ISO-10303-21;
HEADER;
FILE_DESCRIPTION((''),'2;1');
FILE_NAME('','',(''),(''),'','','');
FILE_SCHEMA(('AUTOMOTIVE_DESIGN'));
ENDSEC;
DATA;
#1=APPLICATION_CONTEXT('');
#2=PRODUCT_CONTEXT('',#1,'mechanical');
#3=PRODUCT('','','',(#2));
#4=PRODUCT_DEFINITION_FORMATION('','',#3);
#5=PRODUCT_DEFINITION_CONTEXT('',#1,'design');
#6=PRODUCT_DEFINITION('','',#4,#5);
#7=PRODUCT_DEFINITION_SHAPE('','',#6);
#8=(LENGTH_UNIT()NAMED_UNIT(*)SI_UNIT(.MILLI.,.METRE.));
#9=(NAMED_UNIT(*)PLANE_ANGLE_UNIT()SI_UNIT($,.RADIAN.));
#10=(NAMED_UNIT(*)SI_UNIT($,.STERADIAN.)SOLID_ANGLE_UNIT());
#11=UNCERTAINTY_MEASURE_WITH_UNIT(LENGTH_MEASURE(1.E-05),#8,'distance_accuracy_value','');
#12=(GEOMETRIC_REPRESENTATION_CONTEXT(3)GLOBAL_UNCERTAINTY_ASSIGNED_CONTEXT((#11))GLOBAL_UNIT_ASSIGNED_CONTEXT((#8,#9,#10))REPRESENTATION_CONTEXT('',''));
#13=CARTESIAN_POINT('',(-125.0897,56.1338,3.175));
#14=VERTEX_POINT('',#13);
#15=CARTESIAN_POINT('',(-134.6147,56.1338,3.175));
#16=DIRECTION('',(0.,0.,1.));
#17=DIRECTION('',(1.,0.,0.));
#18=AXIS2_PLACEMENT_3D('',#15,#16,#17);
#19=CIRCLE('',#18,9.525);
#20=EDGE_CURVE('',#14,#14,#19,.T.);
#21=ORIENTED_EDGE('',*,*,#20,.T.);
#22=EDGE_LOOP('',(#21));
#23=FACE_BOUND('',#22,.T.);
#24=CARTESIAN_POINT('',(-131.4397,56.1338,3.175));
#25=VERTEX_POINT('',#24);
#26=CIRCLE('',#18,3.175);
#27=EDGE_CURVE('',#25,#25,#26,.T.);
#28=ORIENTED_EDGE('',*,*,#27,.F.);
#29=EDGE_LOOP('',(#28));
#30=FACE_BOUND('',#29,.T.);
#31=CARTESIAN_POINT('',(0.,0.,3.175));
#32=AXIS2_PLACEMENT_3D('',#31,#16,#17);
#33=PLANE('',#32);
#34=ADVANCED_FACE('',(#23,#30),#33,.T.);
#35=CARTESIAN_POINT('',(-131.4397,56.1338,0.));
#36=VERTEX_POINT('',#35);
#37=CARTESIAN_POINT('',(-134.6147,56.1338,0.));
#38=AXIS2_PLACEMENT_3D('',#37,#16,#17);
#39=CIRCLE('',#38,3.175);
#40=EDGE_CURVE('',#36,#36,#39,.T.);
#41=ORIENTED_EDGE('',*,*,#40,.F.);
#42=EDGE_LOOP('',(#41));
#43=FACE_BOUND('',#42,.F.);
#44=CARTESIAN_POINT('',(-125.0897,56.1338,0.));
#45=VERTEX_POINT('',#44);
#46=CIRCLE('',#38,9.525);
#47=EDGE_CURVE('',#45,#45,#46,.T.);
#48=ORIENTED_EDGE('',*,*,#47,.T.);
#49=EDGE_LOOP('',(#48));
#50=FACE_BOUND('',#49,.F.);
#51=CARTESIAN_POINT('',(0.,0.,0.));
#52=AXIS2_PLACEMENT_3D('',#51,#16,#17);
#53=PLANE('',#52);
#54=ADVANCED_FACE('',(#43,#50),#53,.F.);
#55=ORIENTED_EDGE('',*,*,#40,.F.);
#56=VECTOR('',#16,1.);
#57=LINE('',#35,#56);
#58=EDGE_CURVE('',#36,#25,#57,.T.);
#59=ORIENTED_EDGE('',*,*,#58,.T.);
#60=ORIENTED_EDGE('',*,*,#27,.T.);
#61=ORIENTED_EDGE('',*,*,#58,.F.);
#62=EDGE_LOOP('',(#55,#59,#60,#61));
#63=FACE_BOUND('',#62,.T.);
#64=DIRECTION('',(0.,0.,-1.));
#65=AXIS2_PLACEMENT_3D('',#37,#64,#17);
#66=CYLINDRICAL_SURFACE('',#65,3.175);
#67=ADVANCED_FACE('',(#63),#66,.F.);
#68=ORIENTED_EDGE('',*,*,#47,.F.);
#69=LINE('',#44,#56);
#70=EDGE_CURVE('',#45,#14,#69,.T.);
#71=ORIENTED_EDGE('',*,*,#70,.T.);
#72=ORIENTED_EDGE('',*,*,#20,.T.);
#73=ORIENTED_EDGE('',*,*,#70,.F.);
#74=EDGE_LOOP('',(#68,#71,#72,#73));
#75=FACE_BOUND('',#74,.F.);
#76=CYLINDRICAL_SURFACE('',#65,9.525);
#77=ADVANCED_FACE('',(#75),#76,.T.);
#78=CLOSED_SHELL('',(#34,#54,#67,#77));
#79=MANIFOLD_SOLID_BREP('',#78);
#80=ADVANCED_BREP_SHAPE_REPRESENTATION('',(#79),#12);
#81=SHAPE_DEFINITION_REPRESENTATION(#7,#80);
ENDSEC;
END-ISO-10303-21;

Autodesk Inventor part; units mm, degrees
ref_plane "YZ Plane" through (0, 0, 0) normal (1, 0, 0) x (0, 1, 0)
ref_plane "XZ Plane" through (0, 0, 0) normal (0, 1, 0) x (-1, 0, 0)
ref_plane "XY Plane" through (0, 0, 0) normal (0, 0, 1) x (1, 0, 0)
sketch "Sketch1" plane through (0, 0, 0) normal (0, 0, 1) x (1, 0, 0)
  circle A0 centre (-134.6147, 56.1338) radius 3.175
  circle A1 centre (-134.6147, 56.1338) radius 9.525
  point P0 (0, 0)
  dimension "d0" = 6.35
  dimension "d1" = 19.05
extrude "Extrusion1" add sketch "Sketch1" along normal blind 3.175
properties part number "arm4_5"
